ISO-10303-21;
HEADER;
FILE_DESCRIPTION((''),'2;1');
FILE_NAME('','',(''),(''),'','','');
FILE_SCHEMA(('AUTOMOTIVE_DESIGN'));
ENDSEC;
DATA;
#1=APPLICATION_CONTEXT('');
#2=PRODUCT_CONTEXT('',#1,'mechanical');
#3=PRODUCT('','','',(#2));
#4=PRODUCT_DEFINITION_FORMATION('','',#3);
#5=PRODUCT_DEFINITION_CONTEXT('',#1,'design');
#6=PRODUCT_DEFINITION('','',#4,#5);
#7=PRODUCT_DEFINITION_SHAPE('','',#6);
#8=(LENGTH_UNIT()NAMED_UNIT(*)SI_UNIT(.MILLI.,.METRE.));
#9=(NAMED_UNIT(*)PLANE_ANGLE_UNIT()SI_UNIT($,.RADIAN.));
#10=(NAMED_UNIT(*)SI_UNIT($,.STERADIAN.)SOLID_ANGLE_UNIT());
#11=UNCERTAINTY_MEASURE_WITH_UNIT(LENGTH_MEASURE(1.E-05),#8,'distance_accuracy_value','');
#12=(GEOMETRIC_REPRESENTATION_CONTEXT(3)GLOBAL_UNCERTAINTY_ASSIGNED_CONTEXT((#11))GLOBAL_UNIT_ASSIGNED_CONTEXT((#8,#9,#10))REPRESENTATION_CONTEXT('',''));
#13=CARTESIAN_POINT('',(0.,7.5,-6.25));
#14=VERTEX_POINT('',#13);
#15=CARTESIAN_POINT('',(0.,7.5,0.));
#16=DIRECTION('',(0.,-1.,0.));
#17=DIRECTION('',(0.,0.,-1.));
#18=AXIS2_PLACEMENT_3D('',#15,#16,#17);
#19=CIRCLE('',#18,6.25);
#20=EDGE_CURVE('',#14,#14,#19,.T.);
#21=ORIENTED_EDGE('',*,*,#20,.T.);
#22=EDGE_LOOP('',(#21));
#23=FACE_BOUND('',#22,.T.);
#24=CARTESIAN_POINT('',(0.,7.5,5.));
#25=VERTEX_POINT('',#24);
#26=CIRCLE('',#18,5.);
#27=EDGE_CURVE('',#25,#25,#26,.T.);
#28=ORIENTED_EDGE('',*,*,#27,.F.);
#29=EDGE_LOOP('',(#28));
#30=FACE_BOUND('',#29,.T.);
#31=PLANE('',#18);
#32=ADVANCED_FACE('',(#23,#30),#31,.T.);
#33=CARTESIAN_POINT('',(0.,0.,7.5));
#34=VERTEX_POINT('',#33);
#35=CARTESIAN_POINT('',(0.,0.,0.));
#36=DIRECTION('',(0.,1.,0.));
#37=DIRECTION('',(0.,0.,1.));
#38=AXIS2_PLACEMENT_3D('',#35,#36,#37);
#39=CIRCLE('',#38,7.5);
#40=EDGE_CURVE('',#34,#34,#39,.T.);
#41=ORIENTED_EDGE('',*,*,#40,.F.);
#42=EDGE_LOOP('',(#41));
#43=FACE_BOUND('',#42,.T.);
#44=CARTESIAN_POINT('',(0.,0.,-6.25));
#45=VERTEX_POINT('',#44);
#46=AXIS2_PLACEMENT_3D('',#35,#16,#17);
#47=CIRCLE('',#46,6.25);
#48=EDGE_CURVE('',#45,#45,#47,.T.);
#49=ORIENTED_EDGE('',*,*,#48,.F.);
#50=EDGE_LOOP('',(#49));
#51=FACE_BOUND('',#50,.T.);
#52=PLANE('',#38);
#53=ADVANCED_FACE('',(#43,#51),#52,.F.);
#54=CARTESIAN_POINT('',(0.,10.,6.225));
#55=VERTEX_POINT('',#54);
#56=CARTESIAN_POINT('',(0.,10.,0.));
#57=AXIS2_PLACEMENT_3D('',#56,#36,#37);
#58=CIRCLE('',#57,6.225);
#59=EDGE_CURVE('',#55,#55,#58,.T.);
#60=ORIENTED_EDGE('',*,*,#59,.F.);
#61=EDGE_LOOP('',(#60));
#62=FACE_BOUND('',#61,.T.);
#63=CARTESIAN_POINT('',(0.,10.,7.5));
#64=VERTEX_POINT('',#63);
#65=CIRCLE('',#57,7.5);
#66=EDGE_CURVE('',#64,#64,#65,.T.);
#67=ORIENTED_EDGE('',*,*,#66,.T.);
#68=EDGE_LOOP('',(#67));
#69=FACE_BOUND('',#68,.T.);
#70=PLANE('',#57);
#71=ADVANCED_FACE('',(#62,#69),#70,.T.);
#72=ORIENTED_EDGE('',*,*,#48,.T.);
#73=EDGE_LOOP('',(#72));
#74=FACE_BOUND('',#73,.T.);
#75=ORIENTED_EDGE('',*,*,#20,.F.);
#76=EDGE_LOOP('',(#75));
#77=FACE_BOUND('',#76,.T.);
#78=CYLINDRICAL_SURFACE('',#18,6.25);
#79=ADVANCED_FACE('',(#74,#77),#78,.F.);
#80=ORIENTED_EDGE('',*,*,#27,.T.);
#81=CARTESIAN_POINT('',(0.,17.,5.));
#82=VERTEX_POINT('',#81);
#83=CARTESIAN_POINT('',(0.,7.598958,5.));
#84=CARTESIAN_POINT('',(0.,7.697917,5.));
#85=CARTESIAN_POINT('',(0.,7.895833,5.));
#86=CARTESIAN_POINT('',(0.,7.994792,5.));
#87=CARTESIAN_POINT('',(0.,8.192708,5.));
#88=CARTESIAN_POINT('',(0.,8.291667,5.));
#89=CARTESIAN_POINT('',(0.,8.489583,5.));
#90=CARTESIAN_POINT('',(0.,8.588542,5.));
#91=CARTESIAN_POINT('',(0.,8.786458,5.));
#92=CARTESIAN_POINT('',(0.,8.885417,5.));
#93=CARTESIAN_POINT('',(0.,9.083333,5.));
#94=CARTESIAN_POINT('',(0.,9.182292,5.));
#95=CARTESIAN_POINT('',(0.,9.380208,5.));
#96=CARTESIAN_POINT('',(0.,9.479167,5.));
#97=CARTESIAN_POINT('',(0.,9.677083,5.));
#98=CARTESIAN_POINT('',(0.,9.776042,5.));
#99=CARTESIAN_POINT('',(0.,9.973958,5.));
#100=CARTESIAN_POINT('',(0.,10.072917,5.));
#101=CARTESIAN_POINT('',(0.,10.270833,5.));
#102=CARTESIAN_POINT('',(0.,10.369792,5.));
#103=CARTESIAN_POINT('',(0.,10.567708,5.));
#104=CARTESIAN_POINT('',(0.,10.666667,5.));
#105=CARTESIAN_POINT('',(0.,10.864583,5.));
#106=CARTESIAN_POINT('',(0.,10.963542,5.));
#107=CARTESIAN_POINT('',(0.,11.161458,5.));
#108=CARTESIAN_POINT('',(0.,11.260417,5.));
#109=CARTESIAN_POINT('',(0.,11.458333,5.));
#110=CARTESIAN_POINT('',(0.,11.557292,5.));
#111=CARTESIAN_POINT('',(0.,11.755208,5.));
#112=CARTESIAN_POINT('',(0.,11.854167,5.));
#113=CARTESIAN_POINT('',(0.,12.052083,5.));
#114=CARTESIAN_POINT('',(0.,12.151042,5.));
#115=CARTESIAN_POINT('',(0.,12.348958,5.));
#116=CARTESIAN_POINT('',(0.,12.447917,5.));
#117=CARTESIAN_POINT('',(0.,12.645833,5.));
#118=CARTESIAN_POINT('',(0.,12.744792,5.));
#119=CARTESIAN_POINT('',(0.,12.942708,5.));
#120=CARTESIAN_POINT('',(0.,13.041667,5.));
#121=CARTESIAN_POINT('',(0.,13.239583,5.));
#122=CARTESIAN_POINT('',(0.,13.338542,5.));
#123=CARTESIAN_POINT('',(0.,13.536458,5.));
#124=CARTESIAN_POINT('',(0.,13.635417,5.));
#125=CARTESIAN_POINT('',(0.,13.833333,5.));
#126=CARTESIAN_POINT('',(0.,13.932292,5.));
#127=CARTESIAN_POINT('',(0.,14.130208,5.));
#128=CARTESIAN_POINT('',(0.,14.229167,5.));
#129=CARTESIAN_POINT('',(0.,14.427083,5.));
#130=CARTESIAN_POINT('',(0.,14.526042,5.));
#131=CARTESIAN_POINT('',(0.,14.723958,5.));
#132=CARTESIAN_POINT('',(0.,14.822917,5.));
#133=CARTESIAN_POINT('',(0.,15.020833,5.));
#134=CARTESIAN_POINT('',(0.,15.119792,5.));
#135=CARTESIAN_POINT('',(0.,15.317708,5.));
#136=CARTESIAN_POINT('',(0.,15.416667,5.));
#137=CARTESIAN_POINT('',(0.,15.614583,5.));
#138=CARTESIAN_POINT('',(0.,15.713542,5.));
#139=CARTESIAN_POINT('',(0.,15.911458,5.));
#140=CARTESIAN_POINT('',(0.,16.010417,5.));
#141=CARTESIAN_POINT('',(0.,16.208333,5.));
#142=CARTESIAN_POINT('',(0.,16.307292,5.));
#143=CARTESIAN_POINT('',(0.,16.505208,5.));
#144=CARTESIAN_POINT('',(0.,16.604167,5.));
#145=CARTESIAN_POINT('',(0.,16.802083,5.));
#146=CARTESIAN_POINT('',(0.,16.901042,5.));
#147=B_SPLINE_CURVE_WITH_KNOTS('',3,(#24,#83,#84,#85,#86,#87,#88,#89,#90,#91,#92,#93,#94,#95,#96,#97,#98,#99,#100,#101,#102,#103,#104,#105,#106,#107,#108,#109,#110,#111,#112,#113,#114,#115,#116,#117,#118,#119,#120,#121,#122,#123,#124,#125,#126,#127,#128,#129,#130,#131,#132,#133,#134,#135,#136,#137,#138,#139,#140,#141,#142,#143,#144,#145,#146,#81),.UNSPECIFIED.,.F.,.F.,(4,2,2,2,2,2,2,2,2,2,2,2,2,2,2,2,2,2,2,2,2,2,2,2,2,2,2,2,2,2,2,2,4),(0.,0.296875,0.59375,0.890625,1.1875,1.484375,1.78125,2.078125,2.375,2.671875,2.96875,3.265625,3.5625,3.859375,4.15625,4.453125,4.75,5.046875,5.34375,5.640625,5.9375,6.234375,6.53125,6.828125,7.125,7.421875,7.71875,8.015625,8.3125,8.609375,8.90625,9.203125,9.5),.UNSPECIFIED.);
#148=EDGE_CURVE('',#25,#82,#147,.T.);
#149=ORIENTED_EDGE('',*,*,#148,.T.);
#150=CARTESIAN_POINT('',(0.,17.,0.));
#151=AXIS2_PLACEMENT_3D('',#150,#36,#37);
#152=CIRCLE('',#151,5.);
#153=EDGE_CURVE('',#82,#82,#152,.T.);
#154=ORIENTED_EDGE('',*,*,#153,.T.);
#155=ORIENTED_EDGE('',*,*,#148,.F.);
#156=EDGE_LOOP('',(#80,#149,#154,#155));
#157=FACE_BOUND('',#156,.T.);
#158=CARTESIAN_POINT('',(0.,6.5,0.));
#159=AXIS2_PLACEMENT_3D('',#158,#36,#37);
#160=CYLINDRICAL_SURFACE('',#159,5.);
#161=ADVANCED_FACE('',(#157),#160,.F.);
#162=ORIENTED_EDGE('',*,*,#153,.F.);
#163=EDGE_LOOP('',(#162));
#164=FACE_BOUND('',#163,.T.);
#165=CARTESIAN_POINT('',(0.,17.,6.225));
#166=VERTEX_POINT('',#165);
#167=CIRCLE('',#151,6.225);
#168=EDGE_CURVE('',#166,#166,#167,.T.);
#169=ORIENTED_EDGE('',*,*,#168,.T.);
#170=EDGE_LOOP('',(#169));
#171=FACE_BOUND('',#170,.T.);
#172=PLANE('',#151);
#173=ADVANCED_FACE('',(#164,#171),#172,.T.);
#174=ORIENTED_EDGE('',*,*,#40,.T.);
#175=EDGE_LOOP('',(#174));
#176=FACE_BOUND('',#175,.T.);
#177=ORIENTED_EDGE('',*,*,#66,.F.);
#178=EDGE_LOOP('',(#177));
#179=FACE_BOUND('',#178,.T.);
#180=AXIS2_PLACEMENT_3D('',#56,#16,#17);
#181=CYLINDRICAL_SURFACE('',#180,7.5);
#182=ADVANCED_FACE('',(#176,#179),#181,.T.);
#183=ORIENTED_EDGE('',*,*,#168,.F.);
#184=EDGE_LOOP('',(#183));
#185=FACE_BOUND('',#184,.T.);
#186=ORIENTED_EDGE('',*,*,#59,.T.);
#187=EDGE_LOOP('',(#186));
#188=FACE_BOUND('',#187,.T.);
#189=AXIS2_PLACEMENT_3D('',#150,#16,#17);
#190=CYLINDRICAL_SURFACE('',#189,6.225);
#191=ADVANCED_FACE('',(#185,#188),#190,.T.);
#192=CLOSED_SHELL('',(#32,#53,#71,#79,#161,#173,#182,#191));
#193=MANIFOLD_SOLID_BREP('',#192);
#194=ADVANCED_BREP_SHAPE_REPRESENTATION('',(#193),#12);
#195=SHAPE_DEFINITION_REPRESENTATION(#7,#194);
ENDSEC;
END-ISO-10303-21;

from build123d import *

# Parameters (mm, degrees)
SKETCH1_R           = 7.5
BOSS_EXTRUDE1_DEPTH = 10
SKETCH2_R           = 6.25
CUT_EXTRUDE1_DEPTH  = 7.5
SKETCH3_R           = 6.225
BOSS_EXTRUDE2_DEPTH = 7
SKETCH4_R           = 5
CUT_EXTRUDE3_DEPTH  = 10.5


with BuildPart() as part:
    # Sketch1 → Boss-Extrude1 (new body)
    with BuildSketch(Plane(origin=(0, 0, 0), x_dir=(1, 0, 0), z_dir=(0, 1, 0))):
        with Locations(Location((0, 0, 0), (0, 0, 270))):
            Circle(SKETCH1_R)
    extrude(amount=BOSS_EXTRUDE1_DEPTH)

    # Sketch2 → Cut-Extrude1 (cut)
    with BuildSketch(Plane.XZ):
        with Locations(Location((0, 0, 0), (0, 0, 270))):
            Circle(SKETCH2_R)
    extrude(amount=-CUT_EXTRUDE1_DEPTH, mode=Mode.SUBTRACT)

    # Sketch3 → Boss-Extrude2 (add)
    with BuildSketch(Plane(origin=(0, 10, 0), x_dir=(1, 0, 0), z_dir=(0, 1, 0))):
        with Locations(Location((0, 0, 0), (0, 0, 270))):
            Circle(SKETCH3_R)
    extrude(amount=BOSS_EXTRUDE2_DEPTH)

    # Sketch4 → Cut-Extrude3 (cut)
    with BuildSketch(Plane(origin=(0, 17, 0), x_dir=(1, 0, 0), z_dir=(0, 1, 0))):
        with Locations(Location((0, 0, 0), (0, 0, 270))):
            Circle(SKETCH4_R)
    extrude(amount=-CUT_EXTRUDE3_DEPTH, mode=Mode.SUBTRACT)


solid = part.part
